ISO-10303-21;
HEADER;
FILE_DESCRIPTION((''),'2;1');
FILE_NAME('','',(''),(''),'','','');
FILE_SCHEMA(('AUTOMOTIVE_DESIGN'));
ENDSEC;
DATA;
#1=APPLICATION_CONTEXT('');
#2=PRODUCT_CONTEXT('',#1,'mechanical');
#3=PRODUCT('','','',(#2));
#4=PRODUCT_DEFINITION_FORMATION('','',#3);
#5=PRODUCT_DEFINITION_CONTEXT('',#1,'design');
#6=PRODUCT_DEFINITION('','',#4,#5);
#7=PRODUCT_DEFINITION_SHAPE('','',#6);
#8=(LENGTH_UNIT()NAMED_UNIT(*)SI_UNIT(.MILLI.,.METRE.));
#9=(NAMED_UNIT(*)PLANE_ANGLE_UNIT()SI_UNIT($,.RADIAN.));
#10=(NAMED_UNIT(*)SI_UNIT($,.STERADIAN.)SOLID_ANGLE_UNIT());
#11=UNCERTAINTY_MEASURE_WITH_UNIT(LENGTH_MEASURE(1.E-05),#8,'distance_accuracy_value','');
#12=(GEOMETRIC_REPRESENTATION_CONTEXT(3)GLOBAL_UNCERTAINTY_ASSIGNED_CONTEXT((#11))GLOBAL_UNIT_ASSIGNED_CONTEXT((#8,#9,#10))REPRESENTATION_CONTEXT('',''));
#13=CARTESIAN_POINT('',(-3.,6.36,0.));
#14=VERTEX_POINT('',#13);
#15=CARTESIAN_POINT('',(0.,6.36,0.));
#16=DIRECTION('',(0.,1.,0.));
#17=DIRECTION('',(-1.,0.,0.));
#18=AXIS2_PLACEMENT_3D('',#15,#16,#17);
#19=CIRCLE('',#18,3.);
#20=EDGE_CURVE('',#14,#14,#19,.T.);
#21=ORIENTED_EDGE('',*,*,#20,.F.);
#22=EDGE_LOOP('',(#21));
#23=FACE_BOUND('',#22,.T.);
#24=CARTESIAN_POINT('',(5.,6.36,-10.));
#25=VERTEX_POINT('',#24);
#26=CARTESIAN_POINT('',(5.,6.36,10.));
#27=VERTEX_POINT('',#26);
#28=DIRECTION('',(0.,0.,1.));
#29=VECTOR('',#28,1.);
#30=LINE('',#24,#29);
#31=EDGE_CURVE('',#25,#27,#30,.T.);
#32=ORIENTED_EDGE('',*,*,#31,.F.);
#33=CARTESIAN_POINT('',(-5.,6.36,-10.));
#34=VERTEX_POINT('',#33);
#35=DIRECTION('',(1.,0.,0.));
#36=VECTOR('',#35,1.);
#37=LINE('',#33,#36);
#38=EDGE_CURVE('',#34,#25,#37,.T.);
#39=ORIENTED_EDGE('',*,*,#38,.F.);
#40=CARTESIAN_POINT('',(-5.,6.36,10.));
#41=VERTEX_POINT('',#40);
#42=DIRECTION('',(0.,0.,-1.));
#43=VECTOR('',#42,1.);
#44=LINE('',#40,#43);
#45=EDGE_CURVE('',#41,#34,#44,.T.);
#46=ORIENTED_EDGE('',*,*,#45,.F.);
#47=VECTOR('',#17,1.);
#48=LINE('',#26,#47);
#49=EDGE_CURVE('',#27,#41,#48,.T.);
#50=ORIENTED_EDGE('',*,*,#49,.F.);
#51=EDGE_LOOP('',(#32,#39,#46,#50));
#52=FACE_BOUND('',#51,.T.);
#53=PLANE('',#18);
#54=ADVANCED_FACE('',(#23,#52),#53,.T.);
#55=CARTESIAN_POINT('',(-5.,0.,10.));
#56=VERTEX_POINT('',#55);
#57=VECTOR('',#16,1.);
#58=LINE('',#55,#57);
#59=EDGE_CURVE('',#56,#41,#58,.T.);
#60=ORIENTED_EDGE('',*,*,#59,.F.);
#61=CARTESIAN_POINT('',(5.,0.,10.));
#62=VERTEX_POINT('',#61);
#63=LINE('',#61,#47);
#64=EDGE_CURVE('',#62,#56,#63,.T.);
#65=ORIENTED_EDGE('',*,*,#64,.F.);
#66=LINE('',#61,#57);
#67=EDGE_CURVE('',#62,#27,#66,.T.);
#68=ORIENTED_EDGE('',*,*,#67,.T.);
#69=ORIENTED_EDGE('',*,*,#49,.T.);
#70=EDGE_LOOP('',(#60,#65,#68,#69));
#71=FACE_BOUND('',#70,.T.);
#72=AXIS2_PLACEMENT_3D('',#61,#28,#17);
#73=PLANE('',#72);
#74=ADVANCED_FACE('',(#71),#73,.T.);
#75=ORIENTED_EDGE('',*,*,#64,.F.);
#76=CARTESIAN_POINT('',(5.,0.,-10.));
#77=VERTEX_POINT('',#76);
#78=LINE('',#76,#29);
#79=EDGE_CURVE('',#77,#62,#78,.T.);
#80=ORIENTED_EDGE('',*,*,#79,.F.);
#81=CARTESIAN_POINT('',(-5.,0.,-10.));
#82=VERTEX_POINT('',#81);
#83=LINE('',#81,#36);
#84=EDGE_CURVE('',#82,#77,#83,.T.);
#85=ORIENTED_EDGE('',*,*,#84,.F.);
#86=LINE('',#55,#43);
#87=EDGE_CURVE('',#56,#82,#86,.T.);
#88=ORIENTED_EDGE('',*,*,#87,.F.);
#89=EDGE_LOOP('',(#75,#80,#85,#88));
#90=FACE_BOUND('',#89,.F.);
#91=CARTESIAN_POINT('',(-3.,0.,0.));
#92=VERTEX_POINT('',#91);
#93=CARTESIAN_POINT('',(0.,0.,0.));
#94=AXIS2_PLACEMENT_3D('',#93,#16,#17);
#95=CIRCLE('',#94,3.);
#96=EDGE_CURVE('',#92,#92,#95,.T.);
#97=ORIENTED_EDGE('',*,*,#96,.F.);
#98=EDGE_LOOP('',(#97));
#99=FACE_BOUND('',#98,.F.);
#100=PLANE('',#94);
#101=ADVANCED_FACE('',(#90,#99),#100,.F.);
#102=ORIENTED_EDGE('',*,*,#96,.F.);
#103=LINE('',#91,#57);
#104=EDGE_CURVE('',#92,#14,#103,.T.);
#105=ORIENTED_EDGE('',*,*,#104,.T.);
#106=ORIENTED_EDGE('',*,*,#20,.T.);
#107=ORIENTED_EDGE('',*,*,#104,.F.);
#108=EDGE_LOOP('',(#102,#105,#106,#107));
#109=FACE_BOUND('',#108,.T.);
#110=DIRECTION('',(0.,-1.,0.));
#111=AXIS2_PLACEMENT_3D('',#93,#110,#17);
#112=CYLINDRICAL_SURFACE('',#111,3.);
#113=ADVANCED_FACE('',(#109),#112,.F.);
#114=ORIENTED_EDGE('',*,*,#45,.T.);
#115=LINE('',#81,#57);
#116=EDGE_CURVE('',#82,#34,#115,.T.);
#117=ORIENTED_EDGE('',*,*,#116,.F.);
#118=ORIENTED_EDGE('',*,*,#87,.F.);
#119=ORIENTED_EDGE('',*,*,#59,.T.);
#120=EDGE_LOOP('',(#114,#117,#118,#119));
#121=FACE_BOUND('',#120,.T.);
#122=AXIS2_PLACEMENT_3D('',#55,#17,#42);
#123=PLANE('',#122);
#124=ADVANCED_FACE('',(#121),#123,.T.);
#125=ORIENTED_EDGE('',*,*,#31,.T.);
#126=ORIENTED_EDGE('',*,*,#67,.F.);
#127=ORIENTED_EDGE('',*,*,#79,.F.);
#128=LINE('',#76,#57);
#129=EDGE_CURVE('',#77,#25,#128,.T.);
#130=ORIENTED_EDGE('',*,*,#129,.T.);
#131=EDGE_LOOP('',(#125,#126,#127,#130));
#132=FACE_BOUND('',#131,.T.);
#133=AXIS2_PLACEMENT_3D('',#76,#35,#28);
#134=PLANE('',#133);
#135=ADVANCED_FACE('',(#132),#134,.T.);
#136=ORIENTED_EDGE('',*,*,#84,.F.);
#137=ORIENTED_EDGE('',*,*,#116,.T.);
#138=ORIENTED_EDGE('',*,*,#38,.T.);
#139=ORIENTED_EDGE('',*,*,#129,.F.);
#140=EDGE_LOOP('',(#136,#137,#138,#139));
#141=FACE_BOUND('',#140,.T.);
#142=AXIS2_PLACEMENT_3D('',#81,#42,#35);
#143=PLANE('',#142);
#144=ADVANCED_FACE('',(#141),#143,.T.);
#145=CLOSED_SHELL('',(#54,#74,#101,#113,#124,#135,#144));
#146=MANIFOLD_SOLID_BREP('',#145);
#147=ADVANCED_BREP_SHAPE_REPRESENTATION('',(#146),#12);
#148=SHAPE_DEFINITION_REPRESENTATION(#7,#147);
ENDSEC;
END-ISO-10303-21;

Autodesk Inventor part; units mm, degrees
ref_plane "YZ Plane" through (0, 0, 0) normal (1, 0, 0) x (0, 1, 0)
ref_plane "XZ Plane" through (0, 0, 0) normal (0, 1, 0) x (-1, 0, 0)
ref_plane "XY Plane" through (0, 0, 0) normal (0, 0, 1) x (1, 0, 0)
sketch "Sketch1" plane through (0, 0, 0) normal (0, 1, 0) x (-1, 0, 0)
  circle A0 centre (0, 0) radius 3
  line L0 (-5, 10) -> (5, 10)
  line L1 (5, 10) -> (5, -10)
  line L2 (5, -10) -> (-5, -10)
  line L3 (-5, -10) -> (-5, 10)
  line L4 (-5, 10) -> (5, -10) construction
  line L5 (5, 10) -> (-5, -10) construction
  dimension "d0" = 6
  dimension "d1" = 10
  dimension "d2" = 20
extrude "Extrusion1" add sketch "Sketch1" along normal blind 6.36
properties part number "Brazo_eje"
